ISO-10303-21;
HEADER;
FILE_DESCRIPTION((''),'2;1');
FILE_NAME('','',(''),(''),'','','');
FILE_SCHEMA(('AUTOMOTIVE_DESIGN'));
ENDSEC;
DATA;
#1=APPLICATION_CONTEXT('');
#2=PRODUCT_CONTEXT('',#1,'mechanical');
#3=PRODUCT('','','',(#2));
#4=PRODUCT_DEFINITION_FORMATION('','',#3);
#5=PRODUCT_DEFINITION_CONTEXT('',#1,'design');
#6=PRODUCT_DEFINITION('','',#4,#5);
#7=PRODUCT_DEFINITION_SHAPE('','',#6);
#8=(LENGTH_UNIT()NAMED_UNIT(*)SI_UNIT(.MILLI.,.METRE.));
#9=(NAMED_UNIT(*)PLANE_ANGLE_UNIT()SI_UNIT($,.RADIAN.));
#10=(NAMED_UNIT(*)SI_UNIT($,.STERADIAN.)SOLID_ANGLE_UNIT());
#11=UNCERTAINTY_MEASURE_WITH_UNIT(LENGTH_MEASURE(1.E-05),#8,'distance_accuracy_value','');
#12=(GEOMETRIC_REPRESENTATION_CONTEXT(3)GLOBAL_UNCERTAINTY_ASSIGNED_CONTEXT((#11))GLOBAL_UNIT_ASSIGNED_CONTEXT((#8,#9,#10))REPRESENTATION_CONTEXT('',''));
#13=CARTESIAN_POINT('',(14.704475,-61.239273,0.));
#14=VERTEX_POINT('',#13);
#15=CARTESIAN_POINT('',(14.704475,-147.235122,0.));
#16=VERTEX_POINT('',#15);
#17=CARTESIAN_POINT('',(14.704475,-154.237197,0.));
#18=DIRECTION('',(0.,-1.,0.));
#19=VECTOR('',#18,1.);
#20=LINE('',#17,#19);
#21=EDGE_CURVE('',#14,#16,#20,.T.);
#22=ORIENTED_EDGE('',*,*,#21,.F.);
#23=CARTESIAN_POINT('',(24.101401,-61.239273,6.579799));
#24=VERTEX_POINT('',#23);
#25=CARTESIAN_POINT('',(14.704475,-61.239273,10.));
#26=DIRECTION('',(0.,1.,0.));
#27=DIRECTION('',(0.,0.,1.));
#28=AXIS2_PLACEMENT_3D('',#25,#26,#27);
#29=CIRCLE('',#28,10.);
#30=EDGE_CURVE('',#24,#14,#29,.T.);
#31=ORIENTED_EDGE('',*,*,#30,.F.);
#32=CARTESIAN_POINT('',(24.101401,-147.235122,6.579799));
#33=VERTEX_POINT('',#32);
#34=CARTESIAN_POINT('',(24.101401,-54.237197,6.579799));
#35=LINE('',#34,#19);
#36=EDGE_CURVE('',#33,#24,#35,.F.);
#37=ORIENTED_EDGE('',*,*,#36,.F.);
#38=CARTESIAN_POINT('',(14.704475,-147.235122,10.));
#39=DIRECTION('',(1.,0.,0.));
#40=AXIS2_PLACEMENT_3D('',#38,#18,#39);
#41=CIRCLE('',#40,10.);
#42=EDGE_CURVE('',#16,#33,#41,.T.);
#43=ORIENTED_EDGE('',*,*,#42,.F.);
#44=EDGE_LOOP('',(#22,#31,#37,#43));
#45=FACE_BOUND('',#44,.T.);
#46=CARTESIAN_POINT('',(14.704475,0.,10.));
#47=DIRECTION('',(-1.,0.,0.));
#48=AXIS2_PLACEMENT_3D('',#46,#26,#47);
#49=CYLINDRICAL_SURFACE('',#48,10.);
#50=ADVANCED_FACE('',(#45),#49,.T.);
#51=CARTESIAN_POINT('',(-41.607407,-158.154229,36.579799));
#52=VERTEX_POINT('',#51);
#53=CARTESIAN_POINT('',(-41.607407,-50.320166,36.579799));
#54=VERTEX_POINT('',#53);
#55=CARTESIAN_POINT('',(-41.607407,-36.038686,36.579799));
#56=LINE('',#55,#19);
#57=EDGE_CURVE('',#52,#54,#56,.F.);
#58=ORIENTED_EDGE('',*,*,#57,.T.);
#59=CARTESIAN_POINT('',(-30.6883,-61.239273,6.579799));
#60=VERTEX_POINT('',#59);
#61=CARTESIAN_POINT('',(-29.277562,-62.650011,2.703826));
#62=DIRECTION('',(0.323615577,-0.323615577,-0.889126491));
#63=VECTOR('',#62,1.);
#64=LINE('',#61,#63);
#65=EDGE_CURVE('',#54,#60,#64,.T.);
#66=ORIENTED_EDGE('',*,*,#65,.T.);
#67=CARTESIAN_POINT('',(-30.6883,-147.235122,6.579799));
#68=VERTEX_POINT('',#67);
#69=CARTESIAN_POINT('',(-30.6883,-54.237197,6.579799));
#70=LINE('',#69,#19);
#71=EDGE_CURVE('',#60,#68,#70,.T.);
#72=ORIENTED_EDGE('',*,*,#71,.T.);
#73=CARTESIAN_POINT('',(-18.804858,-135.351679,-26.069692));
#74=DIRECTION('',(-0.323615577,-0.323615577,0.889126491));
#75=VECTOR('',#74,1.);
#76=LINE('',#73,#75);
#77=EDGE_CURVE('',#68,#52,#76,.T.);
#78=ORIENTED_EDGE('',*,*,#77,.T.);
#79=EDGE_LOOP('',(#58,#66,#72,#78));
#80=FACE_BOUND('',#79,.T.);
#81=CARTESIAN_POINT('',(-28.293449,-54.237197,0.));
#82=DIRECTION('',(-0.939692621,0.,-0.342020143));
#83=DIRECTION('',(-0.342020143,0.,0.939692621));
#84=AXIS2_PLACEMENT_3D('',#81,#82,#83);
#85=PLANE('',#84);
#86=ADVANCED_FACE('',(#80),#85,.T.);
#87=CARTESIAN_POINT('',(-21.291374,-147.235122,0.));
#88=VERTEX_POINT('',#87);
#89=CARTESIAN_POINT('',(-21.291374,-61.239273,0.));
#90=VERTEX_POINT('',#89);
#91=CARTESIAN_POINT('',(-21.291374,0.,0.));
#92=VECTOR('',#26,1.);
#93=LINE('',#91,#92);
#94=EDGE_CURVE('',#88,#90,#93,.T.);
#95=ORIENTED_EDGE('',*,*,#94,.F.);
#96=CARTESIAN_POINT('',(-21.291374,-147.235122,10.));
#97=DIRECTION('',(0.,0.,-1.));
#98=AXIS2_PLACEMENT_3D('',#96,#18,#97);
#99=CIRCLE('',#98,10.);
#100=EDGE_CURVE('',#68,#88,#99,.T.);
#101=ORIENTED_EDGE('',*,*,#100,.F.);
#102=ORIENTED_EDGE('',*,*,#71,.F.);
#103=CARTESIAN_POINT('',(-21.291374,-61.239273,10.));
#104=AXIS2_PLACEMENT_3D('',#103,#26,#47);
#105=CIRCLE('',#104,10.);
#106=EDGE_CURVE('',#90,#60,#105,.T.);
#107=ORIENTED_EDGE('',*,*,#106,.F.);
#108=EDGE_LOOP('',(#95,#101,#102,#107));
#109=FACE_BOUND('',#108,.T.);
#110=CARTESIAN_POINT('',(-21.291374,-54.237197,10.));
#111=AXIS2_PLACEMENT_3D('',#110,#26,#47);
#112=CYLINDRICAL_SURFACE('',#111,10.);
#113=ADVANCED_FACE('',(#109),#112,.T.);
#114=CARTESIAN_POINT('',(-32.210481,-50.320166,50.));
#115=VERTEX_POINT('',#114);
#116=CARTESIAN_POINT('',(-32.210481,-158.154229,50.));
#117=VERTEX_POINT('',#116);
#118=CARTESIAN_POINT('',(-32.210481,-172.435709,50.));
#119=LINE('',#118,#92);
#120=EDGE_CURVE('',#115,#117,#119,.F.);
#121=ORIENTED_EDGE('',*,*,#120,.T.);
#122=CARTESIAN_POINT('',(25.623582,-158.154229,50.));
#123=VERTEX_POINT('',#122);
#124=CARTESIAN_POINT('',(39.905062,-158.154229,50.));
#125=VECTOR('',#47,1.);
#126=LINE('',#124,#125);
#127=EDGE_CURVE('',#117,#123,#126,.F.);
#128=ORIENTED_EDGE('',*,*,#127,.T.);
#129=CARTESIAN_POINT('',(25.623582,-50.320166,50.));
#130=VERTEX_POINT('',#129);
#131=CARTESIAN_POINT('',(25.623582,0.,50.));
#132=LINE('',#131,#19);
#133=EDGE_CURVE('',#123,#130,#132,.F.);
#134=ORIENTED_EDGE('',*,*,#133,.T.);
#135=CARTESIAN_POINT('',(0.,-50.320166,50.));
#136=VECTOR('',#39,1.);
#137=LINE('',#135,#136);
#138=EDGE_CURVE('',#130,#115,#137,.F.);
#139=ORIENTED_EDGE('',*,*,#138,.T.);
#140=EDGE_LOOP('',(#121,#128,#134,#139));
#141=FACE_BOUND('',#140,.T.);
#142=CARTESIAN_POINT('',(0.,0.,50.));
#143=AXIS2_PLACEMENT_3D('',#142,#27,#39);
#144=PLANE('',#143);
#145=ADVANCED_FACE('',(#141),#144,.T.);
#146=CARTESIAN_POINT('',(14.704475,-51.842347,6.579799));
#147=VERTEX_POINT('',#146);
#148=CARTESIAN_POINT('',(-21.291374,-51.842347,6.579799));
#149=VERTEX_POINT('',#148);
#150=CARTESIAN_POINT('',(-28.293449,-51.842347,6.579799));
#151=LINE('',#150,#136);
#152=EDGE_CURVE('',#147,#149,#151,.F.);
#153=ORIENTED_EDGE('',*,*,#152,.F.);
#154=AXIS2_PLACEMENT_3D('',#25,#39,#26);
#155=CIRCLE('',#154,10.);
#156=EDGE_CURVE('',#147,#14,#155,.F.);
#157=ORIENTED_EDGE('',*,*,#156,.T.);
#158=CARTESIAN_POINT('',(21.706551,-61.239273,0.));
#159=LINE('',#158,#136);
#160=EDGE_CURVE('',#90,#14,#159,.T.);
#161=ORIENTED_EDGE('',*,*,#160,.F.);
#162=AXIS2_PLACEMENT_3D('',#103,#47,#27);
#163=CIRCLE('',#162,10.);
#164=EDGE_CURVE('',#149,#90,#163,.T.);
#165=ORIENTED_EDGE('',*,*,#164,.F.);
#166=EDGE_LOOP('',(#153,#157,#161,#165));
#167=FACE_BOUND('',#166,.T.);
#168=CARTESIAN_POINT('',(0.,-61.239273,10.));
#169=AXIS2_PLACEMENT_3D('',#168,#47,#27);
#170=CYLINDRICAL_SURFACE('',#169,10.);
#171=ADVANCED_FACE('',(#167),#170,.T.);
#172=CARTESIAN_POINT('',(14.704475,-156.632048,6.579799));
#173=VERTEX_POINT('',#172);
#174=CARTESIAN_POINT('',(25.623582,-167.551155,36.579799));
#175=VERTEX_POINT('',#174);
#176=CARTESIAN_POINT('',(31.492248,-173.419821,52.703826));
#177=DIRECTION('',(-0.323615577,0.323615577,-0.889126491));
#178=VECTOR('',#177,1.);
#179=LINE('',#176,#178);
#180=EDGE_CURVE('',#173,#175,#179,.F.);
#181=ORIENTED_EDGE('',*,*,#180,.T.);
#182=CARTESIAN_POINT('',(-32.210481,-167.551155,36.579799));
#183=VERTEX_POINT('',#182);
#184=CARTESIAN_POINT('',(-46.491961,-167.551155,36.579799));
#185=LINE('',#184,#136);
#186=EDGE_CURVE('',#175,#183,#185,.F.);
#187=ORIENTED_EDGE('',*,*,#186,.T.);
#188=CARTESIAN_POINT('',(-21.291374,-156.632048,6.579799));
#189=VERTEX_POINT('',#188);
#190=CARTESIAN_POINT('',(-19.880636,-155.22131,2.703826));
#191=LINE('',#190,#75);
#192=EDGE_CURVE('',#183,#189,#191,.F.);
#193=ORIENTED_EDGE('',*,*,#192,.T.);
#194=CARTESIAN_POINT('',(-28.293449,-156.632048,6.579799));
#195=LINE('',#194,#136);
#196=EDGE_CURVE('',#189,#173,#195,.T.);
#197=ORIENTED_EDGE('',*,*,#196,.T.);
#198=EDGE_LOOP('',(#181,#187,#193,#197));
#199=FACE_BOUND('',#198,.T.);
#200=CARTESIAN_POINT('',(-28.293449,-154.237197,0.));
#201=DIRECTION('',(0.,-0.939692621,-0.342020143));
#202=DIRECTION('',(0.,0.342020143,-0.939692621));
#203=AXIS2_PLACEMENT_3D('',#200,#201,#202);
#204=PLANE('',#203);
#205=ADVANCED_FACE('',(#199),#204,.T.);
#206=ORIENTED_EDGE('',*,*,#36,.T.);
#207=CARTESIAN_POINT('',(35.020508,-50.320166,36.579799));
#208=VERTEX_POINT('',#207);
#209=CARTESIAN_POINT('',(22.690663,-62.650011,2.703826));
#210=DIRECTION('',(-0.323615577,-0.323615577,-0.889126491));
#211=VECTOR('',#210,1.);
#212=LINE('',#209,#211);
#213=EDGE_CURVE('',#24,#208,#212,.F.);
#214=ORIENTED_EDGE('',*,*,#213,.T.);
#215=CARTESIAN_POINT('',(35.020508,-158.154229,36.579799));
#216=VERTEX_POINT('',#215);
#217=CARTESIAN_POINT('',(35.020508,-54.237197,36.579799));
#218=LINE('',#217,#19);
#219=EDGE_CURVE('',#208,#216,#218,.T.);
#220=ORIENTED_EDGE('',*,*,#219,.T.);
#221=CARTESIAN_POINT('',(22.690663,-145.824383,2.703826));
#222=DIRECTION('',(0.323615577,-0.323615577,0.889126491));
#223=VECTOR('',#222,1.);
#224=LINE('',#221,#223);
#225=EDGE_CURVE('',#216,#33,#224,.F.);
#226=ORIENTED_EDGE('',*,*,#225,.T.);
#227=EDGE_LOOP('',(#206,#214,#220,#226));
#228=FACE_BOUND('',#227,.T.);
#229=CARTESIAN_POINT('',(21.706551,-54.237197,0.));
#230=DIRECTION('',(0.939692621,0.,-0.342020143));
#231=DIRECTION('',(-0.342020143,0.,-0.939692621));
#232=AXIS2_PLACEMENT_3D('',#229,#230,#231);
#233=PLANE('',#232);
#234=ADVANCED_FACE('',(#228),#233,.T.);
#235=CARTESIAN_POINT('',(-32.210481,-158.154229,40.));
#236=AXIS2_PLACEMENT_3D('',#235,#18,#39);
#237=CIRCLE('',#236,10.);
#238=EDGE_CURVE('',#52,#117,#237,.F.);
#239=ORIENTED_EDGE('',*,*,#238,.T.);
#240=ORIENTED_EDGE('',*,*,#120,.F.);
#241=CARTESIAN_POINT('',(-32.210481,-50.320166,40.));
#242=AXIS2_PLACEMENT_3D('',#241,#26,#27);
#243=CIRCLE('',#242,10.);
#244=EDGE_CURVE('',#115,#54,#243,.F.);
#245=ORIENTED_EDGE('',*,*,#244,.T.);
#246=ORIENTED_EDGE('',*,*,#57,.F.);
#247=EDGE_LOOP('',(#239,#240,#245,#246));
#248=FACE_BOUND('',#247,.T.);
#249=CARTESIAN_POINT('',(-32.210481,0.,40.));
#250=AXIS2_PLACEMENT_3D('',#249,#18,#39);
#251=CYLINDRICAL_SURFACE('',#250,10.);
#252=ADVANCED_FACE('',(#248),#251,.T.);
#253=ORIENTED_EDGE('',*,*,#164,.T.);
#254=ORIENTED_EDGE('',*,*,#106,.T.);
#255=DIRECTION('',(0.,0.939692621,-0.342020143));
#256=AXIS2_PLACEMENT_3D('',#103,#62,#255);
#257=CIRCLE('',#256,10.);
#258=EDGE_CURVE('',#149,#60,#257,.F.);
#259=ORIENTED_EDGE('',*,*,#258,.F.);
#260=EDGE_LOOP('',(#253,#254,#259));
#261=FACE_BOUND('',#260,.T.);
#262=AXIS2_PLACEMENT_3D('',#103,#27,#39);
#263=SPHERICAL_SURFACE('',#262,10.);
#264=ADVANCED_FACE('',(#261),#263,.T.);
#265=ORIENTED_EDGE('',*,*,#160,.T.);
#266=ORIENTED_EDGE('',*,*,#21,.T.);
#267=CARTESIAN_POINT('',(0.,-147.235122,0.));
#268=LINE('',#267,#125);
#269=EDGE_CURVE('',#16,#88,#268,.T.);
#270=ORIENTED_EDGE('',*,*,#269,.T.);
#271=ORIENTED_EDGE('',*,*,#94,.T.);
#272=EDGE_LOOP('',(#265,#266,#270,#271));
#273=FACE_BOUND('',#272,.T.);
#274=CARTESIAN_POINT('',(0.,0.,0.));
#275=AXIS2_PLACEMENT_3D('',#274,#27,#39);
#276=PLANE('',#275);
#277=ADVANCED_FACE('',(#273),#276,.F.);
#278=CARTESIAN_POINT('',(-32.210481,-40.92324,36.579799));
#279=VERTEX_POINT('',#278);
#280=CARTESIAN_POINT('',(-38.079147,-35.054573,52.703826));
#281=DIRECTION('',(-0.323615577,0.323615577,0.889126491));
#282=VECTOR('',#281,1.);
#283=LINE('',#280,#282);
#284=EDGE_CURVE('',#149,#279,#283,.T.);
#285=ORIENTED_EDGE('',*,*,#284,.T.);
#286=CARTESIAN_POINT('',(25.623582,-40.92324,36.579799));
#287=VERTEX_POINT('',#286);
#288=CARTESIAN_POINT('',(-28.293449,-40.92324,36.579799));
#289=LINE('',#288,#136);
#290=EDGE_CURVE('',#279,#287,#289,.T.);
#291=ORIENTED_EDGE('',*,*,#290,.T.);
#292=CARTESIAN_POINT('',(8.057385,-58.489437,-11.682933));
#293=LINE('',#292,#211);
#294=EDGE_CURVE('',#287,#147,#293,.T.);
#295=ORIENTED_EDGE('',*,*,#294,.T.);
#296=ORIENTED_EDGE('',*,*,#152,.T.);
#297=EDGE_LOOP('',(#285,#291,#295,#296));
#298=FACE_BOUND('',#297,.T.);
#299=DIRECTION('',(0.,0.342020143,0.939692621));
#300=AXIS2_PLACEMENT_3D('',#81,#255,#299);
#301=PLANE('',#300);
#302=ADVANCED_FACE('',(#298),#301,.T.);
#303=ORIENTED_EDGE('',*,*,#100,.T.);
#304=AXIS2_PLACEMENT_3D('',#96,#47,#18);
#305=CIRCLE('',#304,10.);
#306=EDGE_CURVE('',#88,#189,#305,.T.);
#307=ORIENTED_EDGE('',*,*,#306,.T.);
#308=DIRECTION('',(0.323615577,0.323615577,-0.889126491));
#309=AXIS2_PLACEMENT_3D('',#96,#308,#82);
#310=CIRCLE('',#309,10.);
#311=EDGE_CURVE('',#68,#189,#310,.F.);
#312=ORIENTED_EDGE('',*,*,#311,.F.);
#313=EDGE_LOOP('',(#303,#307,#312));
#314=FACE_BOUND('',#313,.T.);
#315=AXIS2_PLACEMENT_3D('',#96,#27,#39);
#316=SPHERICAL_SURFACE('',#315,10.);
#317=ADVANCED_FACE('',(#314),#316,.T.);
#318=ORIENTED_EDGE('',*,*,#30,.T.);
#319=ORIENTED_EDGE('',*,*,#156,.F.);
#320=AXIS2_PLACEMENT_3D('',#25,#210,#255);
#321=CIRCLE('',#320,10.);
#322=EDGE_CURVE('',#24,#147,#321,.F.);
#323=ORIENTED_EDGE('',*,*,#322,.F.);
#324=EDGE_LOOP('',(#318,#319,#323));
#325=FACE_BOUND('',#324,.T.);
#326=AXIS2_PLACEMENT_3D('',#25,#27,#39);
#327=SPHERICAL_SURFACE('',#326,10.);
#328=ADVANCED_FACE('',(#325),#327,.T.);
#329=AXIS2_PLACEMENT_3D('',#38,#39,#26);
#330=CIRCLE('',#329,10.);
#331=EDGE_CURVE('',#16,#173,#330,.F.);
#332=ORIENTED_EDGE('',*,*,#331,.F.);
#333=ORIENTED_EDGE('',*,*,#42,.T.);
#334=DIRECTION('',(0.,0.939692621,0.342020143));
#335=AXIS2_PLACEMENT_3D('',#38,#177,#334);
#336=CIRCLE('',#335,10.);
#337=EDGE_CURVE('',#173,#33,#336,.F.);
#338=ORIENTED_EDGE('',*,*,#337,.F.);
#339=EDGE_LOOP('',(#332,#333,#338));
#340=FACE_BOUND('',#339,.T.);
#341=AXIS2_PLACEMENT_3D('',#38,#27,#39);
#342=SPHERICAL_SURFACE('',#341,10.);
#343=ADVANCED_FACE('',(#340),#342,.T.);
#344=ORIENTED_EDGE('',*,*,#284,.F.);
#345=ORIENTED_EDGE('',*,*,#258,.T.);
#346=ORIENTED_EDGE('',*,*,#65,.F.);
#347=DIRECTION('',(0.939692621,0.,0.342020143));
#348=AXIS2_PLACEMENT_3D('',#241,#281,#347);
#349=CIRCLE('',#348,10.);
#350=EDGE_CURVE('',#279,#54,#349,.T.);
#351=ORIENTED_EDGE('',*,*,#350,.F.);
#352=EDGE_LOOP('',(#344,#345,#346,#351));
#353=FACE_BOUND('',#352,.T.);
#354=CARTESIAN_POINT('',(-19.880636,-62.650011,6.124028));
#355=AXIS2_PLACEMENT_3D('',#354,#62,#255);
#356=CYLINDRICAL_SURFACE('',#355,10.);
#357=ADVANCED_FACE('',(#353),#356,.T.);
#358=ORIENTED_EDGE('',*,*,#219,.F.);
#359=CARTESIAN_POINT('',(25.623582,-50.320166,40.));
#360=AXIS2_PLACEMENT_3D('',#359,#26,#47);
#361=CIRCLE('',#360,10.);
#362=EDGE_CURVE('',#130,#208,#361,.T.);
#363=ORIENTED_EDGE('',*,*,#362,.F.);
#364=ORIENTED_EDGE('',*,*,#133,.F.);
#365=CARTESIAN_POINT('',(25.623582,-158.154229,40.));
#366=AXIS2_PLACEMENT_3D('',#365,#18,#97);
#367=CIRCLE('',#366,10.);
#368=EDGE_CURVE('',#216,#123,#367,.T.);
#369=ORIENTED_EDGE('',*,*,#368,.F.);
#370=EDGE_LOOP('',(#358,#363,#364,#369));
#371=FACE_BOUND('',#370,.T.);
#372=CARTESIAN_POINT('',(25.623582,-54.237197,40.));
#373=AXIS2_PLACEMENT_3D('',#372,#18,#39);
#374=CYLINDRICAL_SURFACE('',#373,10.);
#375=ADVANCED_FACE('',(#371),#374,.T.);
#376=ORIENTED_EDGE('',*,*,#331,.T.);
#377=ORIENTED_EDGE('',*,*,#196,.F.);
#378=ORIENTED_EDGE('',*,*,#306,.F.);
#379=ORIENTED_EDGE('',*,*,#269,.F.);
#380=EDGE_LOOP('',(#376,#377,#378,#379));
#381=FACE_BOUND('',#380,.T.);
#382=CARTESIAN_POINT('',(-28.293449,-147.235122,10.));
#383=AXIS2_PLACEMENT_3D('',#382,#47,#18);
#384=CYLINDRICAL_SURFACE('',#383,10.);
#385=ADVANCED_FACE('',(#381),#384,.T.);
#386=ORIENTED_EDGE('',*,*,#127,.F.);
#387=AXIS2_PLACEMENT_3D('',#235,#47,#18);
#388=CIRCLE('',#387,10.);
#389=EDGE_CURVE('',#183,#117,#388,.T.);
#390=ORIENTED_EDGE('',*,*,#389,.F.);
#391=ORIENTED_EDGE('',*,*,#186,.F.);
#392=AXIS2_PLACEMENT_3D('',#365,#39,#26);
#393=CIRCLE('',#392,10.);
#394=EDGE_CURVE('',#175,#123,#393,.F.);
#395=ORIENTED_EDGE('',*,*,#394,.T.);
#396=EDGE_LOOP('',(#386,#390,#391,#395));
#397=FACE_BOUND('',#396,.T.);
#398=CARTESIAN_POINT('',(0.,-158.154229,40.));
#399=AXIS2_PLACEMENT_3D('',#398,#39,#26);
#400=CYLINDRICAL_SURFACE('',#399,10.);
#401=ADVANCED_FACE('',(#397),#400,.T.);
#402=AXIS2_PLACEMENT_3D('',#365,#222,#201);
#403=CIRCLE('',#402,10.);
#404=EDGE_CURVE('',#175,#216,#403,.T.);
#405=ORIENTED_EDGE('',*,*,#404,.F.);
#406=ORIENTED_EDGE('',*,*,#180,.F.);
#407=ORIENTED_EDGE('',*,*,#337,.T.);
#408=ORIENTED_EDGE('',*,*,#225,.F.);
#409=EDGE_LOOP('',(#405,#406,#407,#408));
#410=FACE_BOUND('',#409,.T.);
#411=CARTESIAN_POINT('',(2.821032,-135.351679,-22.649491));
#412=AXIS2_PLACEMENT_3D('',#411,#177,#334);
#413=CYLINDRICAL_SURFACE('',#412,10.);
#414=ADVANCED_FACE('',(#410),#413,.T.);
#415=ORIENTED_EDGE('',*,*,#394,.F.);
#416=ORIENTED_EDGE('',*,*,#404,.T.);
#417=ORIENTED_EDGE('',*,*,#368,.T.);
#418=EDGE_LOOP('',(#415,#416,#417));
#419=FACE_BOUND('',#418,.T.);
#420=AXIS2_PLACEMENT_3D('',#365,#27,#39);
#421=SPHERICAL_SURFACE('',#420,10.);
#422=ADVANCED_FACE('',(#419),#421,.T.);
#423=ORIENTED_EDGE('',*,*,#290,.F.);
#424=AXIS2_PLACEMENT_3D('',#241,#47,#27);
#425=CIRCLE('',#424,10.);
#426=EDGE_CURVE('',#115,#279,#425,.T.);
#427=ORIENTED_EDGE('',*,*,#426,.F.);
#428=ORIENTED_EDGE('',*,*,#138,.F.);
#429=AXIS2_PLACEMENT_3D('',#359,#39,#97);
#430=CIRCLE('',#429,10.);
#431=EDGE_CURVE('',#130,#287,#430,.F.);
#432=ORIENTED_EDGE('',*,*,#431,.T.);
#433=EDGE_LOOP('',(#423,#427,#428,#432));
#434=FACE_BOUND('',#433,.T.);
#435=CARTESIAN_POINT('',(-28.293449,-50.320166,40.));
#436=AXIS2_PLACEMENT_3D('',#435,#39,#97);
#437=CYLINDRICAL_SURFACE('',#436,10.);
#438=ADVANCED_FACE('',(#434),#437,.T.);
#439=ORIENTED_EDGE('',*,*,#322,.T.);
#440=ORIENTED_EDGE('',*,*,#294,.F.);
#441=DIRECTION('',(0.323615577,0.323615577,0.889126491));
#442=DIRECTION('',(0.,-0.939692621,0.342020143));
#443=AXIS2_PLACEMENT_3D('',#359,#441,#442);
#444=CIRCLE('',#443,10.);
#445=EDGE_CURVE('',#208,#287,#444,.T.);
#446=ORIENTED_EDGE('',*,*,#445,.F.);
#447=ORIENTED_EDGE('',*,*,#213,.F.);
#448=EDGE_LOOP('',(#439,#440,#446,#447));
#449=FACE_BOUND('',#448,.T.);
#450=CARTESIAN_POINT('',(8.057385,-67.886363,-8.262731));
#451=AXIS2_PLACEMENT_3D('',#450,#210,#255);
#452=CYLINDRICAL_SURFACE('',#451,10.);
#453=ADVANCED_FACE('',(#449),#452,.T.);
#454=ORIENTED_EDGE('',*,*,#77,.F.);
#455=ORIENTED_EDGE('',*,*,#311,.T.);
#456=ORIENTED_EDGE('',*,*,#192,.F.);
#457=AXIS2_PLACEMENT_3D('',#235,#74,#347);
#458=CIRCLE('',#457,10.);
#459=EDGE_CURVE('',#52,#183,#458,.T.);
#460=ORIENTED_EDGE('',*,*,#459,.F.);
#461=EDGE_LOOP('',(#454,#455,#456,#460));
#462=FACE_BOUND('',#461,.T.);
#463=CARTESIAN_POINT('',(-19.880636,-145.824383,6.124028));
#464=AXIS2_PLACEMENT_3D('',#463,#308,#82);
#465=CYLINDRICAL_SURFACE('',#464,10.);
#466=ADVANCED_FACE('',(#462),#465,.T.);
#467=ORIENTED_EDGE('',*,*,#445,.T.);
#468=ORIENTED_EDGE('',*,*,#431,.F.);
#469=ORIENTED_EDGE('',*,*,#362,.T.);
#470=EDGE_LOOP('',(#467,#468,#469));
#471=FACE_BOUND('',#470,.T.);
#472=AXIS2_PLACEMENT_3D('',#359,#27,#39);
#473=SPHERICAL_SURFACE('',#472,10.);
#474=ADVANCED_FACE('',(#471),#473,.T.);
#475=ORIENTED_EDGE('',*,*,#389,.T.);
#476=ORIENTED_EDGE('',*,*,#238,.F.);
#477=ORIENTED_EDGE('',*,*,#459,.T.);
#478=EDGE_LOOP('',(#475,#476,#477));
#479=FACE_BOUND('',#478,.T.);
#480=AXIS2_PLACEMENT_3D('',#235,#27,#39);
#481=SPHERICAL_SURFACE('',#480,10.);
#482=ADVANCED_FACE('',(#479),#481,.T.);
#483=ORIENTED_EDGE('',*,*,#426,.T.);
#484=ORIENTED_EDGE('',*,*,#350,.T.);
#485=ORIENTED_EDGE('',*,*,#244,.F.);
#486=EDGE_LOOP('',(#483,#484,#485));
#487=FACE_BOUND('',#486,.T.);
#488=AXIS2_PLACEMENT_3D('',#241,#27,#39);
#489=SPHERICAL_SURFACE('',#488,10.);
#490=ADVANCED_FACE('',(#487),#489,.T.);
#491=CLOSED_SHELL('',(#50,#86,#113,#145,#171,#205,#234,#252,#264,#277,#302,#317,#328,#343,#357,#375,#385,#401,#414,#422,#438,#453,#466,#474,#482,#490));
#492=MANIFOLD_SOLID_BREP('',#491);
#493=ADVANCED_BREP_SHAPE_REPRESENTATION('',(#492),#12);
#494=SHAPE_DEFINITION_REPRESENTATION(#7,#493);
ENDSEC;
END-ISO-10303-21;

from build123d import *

# Parameters (mm, degrees)
ESQUISSE1_W        = 50
ESQUISSE1_H        = 100
BOSS_EXTRU_1_DEPTH = 50
BOSS_EXTRU_1_DRAFT = -20
CONG_1_R           = 10


with BuildPart() as part:
    # Esquisse1 → Boss.-Extru.1 (with draft: the straight prism first)
    with BuildSketch(Plane.XY):
        with Locations((-3.29344948, -104.237197366)):
            Rectangle(ESQUISSE1_W, ESQUISSE1_H)
    extrude(amount=BOSS_EXTRU_1_DEPTH)
    # Boss.-Extru.1: the draft: its side faces are tilted about the plane it starts from
    boss_extru_1_sides = [part.faces().sort_by_distance(p)[0] for p in [
        (-28.29344948, -104.237197366, 25),
        (-3.29344948, -154.237197366, 25),
        (21.70655052, -104.237197366, 25),
        (-3.29344948, -54.237197366, 25),
    ]]
    draft(boss_extru_1_sides, Plane.XY, BOSS_EXTRU_1_DRAFT)

    # Congé1
    cong_1_edges = [part.edges().sort_by_distance(p)[0] for p in [
        (39.905062233, -104.237197366, 50),
        (-3.29344948, -36.038685653, 50),
        (-46.491961194, -104.237197366, 50),
        (-3.29344948, -54.237197366, 0),
        (21.70655052, -104.237197366, 0),
        (-3.29344948, -154.237197366, 0),
        (-28.29344948, -104.237197366, 0),
        (-37.392705337, -45.137941509, 25),
        (30.805806376, -45.137941509, 25),
        (30.805806376, -163.336453223, 25),
        (-37.392705337, -163.336453223, 25),
        (-3.29344948, -172.435709079, 50),
    ]]
    fillet(cong_1_edges, radius=CONG_1_R)


solid = part.part
